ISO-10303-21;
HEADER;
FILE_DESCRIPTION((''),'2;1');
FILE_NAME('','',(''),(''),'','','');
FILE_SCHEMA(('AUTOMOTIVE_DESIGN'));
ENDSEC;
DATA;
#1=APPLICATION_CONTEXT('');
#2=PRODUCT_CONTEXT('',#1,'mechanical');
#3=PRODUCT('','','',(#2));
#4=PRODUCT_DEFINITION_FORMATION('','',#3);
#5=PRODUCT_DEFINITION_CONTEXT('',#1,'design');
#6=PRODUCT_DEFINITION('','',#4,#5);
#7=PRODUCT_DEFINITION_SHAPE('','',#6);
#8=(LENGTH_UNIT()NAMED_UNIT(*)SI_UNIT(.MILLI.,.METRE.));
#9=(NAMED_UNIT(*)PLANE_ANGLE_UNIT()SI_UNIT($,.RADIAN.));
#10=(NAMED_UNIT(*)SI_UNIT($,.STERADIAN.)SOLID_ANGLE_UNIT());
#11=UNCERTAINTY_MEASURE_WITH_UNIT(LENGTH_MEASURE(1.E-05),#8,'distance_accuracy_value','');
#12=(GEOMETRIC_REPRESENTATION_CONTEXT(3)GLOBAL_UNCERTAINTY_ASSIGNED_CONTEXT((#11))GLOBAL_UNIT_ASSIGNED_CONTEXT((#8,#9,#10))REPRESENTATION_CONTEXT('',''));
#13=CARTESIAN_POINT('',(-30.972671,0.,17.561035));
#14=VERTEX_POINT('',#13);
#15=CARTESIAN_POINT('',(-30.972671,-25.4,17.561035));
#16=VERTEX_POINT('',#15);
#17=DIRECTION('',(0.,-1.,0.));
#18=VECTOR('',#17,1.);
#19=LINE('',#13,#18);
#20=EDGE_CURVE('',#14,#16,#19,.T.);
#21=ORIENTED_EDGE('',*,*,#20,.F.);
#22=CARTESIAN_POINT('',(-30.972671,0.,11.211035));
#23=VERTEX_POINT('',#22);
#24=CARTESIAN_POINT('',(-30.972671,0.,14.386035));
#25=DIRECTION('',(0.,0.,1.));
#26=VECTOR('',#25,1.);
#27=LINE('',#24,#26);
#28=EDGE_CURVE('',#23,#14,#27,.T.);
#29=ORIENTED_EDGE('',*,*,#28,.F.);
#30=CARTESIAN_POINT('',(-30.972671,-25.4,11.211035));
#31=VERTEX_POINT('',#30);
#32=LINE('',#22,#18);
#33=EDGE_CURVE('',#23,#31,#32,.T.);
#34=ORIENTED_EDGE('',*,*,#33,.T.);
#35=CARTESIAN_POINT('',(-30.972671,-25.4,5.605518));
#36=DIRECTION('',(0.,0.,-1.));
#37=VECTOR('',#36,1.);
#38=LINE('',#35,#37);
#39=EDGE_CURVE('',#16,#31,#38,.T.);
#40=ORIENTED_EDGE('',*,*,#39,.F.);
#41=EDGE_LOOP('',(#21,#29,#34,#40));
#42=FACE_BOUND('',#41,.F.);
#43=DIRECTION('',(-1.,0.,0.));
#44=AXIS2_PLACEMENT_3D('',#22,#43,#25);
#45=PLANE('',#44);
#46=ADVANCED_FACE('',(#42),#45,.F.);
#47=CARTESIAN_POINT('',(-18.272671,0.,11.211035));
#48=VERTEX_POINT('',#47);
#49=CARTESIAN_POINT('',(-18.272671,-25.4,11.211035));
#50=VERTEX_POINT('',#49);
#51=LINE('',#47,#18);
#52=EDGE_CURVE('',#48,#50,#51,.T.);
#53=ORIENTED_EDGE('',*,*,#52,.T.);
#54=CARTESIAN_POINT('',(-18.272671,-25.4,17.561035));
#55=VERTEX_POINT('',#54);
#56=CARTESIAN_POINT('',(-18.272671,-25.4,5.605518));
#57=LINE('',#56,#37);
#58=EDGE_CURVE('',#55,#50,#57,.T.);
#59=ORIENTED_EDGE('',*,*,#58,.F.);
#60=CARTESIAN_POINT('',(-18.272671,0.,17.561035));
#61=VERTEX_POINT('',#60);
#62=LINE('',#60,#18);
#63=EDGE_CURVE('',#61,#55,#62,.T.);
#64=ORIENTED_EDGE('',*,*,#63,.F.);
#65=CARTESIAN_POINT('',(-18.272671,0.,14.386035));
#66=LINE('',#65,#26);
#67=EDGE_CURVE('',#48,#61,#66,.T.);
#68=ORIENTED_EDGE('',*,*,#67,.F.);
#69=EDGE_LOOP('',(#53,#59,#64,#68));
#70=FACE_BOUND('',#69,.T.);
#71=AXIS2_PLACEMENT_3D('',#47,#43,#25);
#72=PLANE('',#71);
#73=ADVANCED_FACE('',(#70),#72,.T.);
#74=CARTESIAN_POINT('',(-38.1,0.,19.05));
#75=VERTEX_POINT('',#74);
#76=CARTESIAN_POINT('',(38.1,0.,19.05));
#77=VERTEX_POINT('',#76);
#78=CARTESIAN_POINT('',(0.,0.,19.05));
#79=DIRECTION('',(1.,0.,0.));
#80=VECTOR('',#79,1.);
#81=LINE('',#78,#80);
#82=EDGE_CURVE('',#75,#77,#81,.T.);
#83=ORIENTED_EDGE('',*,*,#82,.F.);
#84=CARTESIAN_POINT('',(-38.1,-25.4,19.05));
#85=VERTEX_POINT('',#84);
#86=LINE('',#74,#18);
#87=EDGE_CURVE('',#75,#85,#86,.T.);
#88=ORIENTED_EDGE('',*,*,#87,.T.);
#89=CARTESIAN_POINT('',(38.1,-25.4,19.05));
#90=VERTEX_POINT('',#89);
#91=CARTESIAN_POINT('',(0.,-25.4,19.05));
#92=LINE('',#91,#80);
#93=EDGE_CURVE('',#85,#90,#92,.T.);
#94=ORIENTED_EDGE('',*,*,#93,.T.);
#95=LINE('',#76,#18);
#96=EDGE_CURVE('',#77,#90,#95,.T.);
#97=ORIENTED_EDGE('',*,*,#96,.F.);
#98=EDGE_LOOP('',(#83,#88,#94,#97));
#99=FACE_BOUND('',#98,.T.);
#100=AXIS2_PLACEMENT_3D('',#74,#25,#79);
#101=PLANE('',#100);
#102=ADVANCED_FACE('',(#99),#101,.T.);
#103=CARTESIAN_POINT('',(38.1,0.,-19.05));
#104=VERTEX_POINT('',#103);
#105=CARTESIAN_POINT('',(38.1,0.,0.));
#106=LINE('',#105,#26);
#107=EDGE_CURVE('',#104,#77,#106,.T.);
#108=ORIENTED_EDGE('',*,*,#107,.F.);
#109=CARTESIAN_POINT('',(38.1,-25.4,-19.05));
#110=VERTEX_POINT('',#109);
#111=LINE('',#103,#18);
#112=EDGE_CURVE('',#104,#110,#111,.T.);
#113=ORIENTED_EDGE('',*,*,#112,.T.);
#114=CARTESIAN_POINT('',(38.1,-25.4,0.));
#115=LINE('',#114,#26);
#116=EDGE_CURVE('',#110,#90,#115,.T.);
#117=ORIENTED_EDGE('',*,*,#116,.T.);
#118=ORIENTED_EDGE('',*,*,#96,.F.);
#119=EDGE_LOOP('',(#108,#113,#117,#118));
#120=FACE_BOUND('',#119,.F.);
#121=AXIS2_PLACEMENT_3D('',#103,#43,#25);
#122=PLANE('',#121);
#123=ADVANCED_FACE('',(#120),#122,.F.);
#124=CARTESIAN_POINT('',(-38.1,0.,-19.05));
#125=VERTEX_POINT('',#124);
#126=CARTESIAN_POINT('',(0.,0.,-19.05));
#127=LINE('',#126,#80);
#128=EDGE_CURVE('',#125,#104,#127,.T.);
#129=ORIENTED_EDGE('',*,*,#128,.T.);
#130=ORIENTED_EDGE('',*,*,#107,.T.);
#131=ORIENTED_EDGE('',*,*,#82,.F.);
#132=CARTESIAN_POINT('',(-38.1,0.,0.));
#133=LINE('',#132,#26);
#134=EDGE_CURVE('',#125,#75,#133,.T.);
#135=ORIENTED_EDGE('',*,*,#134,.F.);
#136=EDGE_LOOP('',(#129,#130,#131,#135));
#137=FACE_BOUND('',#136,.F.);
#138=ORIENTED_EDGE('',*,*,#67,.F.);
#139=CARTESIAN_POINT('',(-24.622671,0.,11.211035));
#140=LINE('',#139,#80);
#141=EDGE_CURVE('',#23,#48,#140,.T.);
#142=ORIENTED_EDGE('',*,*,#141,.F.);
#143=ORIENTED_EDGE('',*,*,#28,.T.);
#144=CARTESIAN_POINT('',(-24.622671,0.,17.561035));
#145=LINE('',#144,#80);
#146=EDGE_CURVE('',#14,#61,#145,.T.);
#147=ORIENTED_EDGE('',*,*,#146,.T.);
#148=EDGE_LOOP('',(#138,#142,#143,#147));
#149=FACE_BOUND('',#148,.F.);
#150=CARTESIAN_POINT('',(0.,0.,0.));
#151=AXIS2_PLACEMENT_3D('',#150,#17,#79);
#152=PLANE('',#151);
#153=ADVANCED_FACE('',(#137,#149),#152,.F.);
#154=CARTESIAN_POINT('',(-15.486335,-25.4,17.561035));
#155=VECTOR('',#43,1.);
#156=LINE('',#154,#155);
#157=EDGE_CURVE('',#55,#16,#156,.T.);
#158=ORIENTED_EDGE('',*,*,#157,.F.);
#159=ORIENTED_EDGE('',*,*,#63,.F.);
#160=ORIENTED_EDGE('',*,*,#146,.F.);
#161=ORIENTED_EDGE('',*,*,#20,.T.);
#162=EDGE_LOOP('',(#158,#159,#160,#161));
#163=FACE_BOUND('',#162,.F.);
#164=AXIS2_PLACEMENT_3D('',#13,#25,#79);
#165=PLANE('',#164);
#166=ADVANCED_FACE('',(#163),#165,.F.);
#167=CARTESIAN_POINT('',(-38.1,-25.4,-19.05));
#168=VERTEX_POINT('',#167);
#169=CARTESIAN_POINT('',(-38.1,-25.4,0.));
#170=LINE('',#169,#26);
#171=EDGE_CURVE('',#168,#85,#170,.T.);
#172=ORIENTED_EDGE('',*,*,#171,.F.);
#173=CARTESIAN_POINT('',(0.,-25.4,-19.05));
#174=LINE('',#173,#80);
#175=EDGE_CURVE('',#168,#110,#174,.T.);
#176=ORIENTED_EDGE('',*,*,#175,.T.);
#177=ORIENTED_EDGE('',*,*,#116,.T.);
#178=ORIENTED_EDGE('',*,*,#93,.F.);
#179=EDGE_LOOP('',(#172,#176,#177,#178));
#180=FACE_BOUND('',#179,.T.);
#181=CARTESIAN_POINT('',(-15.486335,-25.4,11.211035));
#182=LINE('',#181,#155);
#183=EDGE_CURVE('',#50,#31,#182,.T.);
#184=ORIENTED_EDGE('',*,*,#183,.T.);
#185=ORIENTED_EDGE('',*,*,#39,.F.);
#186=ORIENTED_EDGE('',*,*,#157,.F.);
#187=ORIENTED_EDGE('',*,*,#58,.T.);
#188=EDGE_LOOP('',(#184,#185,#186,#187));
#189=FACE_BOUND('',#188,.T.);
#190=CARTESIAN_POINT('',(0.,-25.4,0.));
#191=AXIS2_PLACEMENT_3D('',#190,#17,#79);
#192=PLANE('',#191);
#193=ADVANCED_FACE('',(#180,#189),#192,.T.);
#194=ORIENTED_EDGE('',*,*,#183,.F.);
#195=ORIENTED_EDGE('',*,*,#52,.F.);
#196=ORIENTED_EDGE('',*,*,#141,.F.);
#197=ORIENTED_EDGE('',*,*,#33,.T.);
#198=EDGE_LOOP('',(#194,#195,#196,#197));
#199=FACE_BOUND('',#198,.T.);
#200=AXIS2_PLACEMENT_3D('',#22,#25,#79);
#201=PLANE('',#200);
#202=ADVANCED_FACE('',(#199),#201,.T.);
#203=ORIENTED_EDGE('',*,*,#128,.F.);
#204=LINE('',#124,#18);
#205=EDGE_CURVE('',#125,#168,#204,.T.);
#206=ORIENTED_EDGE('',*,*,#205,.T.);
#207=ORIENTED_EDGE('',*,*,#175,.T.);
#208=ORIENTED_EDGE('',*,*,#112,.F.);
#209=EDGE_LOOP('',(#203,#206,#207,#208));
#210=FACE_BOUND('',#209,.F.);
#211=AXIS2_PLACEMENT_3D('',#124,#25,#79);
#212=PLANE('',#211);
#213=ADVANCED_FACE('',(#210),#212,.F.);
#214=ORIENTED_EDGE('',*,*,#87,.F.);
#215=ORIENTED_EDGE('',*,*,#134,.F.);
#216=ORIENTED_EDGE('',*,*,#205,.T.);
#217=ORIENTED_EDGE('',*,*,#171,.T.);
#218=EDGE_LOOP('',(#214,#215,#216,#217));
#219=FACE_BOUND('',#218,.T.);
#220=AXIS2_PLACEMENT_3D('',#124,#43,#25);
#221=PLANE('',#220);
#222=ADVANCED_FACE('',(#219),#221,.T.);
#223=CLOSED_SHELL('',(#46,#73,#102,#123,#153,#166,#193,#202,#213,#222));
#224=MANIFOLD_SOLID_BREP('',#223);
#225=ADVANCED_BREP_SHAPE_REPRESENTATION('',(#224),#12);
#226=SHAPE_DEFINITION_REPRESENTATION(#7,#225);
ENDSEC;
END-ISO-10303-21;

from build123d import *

# Parameters (mm, degrees)
F0_W     = 76.2
F0_H     = 38.1
F1_DEPTH = 25.4
F2_W     = 12.7
F2_H     = 6.35
F3_DEPTH = 36.83
F4_W     = 12.7
F4_H     = 6.35
F5_DEPTH = 101.854


with BuildPart() as f1:
    # F0 (on Front) → F1 (new body)
    with BuildSketch(Plane.XZ):
        Rectangle(F0_W, F0_H)
    extrude(amount=F1_DEPTH)

    # F2 (on Front) → F3 (cut)
    with BuildSketch(Plane.XZ):
        with Locations((-28.330677, 12.612414)):
            Rectangle(F2_W, F2_H)
    extrude(amount=-F3_DEPTH, mode=Mode.SUBTRACT)

    # F4 (on Front) → F5 (cut)
    with BuildSketch(Plane.XZ):
        with Locations((-24.622671, 14.386035)):
            Rectangle(F4_W, F4_H)
    extrude(amount=F5_DEPTH, mode=Mode.SUBTRACT)


solid = f1.part
